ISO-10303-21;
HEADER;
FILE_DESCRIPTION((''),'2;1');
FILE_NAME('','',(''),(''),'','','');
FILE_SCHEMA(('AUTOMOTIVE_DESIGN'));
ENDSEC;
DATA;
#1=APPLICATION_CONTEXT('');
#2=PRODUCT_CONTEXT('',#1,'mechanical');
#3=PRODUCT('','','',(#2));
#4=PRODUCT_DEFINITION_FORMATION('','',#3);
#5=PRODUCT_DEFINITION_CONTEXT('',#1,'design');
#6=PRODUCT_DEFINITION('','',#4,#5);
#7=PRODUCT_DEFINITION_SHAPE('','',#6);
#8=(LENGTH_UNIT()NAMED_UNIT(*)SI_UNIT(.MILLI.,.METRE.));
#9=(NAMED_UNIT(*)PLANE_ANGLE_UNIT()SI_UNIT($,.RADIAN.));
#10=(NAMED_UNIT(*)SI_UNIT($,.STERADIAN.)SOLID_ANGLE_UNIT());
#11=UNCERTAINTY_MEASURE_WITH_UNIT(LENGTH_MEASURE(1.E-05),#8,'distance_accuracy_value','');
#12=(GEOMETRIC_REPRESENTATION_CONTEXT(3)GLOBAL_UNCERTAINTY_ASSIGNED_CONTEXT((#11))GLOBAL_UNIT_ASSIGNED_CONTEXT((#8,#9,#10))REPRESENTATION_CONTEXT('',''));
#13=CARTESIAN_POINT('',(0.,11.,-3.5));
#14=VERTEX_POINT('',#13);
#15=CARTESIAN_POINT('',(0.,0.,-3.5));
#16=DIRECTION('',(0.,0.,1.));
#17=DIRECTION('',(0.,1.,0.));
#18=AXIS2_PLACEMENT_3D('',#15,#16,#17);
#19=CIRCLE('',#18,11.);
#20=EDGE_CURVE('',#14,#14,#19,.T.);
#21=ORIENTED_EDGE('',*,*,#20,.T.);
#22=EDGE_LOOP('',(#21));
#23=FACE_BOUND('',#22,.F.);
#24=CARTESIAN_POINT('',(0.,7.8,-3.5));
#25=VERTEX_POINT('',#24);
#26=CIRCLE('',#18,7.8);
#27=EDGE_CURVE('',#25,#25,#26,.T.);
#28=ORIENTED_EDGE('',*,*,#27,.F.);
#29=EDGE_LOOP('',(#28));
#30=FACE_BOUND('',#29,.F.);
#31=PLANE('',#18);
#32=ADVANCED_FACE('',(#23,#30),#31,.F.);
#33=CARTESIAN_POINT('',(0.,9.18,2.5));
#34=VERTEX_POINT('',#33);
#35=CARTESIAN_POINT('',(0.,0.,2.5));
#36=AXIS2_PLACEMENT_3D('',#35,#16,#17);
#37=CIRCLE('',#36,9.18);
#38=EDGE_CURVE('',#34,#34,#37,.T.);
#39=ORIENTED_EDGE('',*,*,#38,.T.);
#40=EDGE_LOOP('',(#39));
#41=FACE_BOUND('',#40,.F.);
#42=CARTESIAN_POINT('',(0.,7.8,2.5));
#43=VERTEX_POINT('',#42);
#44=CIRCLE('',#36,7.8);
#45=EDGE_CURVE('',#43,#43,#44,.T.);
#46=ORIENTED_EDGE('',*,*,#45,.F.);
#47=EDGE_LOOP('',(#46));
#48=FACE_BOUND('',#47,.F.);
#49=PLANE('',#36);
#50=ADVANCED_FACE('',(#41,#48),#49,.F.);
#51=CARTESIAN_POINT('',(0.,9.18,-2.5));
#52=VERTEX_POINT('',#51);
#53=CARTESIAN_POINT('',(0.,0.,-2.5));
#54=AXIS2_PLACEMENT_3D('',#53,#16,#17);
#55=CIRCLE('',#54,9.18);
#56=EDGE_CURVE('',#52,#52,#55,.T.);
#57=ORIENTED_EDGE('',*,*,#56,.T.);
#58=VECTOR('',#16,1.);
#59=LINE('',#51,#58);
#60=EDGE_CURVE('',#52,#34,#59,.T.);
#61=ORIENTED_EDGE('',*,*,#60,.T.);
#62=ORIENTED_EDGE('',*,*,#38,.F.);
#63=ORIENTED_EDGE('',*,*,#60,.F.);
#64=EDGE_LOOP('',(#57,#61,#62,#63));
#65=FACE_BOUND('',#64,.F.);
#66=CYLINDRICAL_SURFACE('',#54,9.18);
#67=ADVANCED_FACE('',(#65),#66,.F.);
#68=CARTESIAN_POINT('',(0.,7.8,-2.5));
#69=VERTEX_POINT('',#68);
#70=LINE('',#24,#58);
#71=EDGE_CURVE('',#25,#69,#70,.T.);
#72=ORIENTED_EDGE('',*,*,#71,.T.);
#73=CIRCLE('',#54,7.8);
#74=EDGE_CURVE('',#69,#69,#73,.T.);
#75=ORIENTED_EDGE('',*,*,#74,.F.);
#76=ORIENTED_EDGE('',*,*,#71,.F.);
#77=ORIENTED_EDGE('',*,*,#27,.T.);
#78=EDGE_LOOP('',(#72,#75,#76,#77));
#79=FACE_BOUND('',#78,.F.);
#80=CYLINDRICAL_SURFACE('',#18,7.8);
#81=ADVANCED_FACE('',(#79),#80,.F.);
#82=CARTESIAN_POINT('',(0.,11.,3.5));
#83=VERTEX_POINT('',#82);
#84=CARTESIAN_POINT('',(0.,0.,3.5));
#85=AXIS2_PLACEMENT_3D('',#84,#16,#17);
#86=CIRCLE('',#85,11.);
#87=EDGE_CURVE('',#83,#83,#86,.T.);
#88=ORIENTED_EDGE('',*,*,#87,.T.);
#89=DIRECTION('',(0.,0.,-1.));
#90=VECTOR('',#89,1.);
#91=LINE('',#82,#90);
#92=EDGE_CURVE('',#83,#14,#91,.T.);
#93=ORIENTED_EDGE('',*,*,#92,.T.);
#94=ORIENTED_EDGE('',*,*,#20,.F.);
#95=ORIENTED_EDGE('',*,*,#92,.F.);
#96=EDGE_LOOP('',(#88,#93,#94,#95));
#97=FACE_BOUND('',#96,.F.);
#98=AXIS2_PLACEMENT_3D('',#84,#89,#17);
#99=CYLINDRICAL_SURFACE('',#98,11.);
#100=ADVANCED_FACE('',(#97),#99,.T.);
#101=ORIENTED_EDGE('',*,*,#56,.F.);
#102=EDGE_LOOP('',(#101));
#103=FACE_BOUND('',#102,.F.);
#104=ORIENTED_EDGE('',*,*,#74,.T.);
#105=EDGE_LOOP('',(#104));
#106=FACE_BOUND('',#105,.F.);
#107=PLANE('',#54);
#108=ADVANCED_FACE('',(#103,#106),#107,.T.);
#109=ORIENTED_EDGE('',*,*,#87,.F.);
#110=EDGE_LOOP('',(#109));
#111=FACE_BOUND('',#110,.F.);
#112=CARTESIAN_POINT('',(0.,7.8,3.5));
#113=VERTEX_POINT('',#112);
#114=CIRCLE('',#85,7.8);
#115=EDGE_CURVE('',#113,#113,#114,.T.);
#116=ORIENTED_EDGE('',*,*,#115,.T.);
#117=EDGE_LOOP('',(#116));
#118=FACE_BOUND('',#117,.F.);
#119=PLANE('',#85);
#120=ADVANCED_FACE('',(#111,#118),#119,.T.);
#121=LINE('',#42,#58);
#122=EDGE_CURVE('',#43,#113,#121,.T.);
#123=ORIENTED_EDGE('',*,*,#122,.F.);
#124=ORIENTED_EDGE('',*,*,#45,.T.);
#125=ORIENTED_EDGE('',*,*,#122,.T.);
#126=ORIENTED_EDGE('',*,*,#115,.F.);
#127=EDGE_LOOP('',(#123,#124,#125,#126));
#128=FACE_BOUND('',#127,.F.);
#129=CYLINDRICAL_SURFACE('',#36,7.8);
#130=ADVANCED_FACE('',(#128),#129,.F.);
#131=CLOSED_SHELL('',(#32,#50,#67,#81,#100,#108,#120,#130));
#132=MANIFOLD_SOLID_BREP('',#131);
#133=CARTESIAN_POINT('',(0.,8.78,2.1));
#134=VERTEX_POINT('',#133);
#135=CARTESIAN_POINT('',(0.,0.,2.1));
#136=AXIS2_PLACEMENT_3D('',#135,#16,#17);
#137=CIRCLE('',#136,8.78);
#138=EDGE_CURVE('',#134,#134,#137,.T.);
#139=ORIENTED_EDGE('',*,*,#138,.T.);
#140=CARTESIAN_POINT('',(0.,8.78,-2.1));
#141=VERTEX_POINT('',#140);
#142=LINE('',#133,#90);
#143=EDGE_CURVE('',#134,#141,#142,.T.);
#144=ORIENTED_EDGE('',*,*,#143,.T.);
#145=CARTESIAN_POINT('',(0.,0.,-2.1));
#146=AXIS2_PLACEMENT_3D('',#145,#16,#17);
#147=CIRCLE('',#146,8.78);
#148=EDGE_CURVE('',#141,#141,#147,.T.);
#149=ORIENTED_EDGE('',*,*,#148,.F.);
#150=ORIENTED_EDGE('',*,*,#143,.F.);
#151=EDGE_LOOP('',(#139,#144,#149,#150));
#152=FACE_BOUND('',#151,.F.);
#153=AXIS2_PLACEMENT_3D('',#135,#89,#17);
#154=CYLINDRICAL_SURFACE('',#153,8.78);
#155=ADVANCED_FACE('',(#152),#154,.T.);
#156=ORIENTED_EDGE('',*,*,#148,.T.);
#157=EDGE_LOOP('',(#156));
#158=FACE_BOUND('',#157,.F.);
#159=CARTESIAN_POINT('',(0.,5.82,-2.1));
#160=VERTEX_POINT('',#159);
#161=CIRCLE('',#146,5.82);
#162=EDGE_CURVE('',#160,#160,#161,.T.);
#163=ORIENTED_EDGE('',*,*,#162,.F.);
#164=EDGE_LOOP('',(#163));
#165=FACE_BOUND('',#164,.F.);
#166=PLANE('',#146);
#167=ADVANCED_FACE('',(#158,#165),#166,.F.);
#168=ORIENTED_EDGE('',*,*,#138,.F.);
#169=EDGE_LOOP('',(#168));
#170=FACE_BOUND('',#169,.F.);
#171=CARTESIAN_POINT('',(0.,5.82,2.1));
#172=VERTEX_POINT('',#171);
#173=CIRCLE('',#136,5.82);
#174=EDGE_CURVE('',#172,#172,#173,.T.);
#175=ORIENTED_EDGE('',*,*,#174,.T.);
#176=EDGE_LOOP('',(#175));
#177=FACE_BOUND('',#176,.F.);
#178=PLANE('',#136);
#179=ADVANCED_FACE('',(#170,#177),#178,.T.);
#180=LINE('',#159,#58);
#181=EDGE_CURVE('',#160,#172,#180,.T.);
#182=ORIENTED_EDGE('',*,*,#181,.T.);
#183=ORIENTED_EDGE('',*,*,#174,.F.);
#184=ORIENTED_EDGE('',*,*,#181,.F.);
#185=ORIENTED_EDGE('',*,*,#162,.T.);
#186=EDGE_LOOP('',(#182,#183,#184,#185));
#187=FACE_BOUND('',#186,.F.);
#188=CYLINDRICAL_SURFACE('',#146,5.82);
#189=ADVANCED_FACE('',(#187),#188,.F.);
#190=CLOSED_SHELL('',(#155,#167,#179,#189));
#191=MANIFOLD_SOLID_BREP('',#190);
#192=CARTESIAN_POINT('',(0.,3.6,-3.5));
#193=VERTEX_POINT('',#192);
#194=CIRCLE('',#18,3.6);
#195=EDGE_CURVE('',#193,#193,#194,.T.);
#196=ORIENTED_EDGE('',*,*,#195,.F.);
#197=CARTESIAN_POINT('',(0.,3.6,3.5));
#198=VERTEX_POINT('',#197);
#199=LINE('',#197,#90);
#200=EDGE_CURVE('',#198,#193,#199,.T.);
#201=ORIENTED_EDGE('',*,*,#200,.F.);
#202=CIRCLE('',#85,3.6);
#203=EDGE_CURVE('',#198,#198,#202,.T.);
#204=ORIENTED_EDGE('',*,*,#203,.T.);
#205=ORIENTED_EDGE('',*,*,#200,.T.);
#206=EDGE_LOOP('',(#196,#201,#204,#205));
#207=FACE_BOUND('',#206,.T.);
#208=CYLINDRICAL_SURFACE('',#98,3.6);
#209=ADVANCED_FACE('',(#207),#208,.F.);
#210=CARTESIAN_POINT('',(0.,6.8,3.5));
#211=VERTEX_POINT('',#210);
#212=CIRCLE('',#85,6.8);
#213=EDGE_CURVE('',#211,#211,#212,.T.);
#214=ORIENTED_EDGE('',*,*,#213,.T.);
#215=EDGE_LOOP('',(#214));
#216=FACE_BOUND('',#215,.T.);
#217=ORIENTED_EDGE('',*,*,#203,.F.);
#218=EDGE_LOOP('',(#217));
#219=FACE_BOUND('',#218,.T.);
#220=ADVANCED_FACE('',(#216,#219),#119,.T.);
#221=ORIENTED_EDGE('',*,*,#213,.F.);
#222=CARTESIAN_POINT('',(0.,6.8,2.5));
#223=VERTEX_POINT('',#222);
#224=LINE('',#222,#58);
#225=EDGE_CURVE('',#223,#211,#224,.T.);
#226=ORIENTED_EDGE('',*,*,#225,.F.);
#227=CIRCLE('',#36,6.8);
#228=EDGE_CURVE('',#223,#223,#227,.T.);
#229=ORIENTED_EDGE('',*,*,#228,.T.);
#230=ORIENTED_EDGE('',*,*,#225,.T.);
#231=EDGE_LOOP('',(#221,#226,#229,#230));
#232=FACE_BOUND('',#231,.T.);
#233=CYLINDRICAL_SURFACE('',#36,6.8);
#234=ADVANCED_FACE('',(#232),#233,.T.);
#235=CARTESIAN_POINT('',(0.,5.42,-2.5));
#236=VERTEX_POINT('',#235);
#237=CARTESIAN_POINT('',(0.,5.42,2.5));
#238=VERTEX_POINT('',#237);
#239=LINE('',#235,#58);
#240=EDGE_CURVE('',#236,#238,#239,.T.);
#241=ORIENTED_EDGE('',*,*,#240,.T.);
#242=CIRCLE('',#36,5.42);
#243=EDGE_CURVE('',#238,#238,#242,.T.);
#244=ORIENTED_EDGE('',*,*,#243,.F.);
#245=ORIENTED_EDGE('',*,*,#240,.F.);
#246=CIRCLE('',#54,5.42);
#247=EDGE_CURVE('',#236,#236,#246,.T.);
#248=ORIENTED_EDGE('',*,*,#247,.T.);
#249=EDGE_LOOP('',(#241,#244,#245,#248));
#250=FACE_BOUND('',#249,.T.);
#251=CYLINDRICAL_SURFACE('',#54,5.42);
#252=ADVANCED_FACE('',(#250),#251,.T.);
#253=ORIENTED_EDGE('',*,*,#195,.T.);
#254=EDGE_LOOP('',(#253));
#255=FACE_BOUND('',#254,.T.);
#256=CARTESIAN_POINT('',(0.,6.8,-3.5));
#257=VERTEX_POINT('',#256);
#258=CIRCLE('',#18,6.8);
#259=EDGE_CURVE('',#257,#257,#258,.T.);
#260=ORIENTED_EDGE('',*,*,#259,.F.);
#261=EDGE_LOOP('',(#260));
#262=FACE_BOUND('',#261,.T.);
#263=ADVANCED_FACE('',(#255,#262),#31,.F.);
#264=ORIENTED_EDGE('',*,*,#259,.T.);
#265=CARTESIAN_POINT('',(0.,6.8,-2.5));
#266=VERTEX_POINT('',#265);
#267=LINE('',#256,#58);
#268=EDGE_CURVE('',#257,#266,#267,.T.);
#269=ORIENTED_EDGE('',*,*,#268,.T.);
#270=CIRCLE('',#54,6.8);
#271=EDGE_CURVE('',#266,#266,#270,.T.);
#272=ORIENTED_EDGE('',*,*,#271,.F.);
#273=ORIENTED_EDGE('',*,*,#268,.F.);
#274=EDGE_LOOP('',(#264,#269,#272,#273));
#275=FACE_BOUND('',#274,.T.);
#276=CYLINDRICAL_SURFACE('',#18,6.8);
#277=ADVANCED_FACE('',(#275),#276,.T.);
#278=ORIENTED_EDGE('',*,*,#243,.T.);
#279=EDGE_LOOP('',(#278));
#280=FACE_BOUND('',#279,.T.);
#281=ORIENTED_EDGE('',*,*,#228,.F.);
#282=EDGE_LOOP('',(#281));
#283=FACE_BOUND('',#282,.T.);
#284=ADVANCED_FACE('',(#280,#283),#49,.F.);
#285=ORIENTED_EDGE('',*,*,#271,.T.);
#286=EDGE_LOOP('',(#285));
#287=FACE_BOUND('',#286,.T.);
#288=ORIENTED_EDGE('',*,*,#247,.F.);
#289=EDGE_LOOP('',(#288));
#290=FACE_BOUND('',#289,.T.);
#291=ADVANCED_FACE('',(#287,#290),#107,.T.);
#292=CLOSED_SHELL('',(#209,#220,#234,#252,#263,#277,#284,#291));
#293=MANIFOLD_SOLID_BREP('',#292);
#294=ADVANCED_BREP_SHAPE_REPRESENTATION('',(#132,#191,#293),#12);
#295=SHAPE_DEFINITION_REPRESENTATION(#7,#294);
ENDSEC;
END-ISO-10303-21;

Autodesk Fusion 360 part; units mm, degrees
sketch "Boceto1" plane through (0, 0, 0) normal (1, 0, 0) x (0, 1, 0)
  line L0 (5.82, 2.1) -> (8.78, 2.1)
  line L1 (8.78, 2.1) -> (8.78, -2.1)
  line L2 (8.78, -2.1) -> (5.82, -2.1)
  line L3 (5.82, -2.1) -> (5.82, 2.1)
  line L4 (7.3, 2.1) -> (7.3, -2.1) construction
  line L5 (7.8, 2.5) -> (7.8, 3.5)
  line L6 (7.8, 3.5) -> (11, 3.5)
  line L7 (11, 3.5) -> (11, -3.5)
  line L8 (11, -3.5) -> (7.8, -3.5)
  line L9 (7.8, -3.5) -> (7.8, -2.5)
  line L10 (7.8, -2.5) -> (9.18, -2.5)
  line L11 (9.18, -2.5) -> (9.18, 2.5)
  line L12 (9.18, 2.5) -> (7.8, 2.5)
  line L13 (3.6, -3.5) -> (6.8, -3.5)
  line L14 (6.8, -3.5) -> (6.8, -2.5)
  line L15 (6.8, -2.5) -> (5.42, -2.5)
  line L16 (5.42, -2.5) -> (5.42, 2.5)
  line L17 (3.6, 3.5) -> (3.6, -3.5)
  line L18 (6.8, 3.5) -> (3.6, 3.5)
  line L19 (5.42, 2.5) -> (6.8, 2.5)
  line L20 (6.8, 2.5) -> (6.8, 3.5)
  dimension "d1" = 0.4
  dimension "d2" = 0.4
  dimension "d3" = 0.4
  dimension "d4" = 11
  dimension "d5" = 7
  dimension "d6" = 3.5
  dimension "d8" = 0.5
  dimension "d10" = 1
  dimension "d12" = 3.6
  dimension "d13" = 2.96
revolve "Revolución1" add sketch "Boceto1" angle 360 about axis through (0, 0, 1.75) along (0, 0, 1) makes body 1 at (0.5397, 5.3931, -0.8333) makes body 2 at (0.8742, 8.7364, 0.7) makes body 3 at (1.0952, 10.9453, -1.1667)
equation "d2 = d1"
equation "d3 = d1"
equation "d6 = d5 / 2"
equation "d13 = 0.4 * ( d4 - d12 )"
